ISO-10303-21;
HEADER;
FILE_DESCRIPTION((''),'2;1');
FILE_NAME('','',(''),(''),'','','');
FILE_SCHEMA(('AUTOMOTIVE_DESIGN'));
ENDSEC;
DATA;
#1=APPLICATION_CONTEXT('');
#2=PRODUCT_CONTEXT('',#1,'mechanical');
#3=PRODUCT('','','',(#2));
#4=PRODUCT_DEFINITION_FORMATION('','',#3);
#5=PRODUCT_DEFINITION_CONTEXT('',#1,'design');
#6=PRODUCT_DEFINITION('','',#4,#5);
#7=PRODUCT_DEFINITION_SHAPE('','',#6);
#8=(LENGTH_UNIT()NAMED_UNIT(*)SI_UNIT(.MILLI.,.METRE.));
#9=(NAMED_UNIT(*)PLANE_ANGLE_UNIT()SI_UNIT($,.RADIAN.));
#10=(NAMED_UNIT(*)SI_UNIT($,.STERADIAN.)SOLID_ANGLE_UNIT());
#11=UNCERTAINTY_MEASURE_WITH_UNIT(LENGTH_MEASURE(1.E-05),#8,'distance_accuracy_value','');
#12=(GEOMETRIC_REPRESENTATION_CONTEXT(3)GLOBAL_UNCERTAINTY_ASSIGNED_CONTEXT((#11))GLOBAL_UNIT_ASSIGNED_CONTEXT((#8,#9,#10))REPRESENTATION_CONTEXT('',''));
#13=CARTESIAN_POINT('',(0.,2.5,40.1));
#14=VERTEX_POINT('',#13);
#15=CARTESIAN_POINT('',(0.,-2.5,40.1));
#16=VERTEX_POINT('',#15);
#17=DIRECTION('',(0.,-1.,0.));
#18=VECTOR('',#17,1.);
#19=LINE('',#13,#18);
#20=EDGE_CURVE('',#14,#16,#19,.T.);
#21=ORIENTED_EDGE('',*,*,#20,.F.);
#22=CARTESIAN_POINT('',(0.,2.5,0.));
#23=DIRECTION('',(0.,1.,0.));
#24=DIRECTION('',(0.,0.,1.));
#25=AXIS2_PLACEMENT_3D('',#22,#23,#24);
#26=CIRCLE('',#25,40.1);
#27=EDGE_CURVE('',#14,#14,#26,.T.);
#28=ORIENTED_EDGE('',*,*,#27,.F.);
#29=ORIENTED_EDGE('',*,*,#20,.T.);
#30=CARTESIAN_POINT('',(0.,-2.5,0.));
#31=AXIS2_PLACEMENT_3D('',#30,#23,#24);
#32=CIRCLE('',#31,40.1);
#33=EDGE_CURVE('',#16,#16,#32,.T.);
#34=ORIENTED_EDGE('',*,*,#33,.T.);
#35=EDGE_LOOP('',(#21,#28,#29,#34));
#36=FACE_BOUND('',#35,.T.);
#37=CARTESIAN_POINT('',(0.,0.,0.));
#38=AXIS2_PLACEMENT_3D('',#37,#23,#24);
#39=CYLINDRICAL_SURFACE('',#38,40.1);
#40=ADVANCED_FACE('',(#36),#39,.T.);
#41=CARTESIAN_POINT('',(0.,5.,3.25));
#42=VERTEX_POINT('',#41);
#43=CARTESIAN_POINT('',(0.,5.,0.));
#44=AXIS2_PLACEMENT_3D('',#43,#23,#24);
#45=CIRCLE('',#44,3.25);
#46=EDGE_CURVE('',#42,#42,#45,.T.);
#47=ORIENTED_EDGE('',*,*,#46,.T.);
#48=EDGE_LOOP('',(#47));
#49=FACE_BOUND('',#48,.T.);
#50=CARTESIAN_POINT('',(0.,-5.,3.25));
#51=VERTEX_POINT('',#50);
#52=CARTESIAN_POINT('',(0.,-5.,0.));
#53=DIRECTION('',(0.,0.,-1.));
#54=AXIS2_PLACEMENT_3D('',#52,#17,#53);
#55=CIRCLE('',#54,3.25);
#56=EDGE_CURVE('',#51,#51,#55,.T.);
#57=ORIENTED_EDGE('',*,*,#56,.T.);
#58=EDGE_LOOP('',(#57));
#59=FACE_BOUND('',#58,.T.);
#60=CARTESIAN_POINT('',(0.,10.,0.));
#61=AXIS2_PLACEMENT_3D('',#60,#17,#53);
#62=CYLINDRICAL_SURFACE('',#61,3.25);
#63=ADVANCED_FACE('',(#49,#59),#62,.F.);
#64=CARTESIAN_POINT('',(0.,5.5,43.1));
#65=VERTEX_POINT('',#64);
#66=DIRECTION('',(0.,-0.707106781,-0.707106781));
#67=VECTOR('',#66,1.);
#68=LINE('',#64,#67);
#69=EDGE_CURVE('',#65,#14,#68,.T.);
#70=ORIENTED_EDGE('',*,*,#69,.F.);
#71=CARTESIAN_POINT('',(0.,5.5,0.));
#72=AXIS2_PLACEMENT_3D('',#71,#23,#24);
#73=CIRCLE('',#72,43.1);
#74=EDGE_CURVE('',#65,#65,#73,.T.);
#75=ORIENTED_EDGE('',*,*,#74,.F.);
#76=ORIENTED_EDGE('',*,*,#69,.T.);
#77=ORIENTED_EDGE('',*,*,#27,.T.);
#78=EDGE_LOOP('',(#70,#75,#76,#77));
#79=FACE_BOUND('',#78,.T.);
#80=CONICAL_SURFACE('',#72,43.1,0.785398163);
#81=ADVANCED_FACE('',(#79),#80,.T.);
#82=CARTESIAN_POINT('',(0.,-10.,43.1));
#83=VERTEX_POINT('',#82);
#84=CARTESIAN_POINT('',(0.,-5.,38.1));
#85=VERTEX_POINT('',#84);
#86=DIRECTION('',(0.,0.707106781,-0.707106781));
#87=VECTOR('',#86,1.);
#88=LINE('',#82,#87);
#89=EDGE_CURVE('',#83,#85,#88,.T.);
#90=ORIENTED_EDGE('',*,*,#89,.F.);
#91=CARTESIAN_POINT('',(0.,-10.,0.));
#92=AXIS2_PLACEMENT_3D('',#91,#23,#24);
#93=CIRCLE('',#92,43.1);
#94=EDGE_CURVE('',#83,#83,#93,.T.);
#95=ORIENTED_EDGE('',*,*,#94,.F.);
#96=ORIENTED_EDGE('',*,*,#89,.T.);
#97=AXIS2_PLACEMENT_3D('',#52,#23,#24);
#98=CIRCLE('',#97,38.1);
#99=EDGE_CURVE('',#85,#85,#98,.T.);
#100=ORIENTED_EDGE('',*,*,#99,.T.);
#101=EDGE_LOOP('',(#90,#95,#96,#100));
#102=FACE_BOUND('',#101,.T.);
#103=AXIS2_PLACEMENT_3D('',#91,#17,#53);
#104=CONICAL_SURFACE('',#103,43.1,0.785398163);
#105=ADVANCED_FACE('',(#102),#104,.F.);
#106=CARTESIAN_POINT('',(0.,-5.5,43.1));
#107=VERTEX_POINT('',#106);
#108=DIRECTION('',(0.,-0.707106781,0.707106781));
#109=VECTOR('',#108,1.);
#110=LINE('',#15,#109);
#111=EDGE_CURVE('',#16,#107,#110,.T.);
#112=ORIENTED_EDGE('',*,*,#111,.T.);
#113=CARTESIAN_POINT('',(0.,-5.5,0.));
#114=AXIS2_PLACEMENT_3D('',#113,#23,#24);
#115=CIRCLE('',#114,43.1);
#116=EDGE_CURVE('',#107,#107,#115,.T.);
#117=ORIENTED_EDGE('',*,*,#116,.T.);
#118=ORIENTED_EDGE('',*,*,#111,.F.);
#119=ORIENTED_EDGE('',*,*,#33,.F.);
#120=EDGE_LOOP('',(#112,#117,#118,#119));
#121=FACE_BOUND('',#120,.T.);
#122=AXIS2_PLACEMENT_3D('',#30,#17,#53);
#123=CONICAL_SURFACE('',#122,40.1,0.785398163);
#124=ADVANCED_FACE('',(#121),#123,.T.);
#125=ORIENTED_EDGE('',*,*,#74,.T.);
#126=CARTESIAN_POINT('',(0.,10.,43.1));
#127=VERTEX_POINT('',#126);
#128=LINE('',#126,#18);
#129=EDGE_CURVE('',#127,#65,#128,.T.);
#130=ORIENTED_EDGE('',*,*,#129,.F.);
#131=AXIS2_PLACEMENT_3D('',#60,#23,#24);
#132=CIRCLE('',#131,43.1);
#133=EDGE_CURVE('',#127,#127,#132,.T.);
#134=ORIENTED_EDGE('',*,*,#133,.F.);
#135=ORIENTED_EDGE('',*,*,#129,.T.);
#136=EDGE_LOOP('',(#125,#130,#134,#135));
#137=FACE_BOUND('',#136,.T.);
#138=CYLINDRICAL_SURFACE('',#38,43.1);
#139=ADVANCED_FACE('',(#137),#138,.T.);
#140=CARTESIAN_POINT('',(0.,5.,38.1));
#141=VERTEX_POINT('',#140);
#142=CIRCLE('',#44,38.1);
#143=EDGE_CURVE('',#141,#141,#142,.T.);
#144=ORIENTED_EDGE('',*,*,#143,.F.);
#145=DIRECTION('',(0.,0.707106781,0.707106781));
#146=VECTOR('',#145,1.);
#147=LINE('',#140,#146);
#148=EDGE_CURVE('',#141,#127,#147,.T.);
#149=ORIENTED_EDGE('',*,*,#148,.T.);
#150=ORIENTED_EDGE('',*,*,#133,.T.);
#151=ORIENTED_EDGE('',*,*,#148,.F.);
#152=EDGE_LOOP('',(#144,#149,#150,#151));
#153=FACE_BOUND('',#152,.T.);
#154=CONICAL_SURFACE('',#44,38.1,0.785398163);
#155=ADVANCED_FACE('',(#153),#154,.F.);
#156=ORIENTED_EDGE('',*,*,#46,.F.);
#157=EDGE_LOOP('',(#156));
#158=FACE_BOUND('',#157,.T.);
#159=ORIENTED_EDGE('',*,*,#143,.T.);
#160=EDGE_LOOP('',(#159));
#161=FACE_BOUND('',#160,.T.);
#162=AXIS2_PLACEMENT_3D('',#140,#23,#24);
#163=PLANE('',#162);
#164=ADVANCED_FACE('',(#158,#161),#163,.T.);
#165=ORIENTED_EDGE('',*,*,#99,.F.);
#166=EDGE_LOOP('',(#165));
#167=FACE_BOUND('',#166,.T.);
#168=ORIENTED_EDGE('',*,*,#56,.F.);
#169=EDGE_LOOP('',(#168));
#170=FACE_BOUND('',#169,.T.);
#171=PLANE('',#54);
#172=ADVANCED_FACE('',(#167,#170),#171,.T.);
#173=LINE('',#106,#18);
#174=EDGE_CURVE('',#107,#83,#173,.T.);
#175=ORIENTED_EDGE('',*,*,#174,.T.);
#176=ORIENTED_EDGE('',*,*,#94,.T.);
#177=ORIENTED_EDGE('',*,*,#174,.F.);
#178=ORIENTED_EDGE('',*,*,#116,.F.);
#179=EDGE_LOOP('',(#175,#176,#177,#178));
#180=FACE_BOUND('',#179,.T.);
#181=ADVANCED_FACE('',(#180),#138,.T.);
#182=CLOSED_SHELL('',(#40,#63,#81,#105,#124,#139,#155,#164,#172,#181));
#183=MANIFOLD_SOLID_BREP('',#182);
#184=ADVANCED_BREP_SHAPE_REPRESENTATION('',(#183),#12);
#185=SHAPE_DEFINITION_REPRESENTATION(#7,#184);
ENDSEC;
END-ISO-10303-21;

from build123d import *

# Parameters (mm, degrees)
CUT_EXTRUDE1_DEPTH      = 63.771171727
CUT_EXTRUDE1_DEPTH_BACK = 63.771171727
SKETCH6_R               = 3.25


with BuildPart() as part:
    # Sweep1: sweep along a path in Sketch1
    with BuildLine(Plane(origin=(0, 0, 0), x_dir=(1, 0, 0), z_dir=(0, 1, 0))) as sweep1_path:
        CenterArc((0, 0), 38.1, 0, 360)
    # Sketch2 → Sweep1 (sweep)
    with BuildSketch(Plane(origin=(0, 0, 0), x_dir=(0, 0, -1), z_dir=(1, 0, 0))):
        Polygon((-38.1, 5), (-43.1, 10), (-43.1, 5.5), (-40.1, 2.5), (-40.1, -2.5), (-43.1, -5.5), (-43.1, -10), (-38.1, -5), (0, -5), (0, 0), (0, 5), align=None)
    sweep(path=sweep1_path.line)

    # Sketch6 → Cut-Extrude1 (cut, two sides: drawn at the far end of the back side and taken through both)
    with BuildSketch(Plane(origin=(0, -5, 0), x_dir=(-1, 0, 0), z_dir=(0, -1, 0)).offset(-CUT_EXTRUDE1_DEPTH_BACK)):
        with Locations(Location((0, 0, 0), (0, 0, 270))):
            Circle(SKETCH6_R)
    extrude(amount=CUT_EXTRUDE1_DEPTH + CUT_EXTRUDE1_DEPTH_BACK, mode=Mode.SUBTRACT)


solid = part.part
